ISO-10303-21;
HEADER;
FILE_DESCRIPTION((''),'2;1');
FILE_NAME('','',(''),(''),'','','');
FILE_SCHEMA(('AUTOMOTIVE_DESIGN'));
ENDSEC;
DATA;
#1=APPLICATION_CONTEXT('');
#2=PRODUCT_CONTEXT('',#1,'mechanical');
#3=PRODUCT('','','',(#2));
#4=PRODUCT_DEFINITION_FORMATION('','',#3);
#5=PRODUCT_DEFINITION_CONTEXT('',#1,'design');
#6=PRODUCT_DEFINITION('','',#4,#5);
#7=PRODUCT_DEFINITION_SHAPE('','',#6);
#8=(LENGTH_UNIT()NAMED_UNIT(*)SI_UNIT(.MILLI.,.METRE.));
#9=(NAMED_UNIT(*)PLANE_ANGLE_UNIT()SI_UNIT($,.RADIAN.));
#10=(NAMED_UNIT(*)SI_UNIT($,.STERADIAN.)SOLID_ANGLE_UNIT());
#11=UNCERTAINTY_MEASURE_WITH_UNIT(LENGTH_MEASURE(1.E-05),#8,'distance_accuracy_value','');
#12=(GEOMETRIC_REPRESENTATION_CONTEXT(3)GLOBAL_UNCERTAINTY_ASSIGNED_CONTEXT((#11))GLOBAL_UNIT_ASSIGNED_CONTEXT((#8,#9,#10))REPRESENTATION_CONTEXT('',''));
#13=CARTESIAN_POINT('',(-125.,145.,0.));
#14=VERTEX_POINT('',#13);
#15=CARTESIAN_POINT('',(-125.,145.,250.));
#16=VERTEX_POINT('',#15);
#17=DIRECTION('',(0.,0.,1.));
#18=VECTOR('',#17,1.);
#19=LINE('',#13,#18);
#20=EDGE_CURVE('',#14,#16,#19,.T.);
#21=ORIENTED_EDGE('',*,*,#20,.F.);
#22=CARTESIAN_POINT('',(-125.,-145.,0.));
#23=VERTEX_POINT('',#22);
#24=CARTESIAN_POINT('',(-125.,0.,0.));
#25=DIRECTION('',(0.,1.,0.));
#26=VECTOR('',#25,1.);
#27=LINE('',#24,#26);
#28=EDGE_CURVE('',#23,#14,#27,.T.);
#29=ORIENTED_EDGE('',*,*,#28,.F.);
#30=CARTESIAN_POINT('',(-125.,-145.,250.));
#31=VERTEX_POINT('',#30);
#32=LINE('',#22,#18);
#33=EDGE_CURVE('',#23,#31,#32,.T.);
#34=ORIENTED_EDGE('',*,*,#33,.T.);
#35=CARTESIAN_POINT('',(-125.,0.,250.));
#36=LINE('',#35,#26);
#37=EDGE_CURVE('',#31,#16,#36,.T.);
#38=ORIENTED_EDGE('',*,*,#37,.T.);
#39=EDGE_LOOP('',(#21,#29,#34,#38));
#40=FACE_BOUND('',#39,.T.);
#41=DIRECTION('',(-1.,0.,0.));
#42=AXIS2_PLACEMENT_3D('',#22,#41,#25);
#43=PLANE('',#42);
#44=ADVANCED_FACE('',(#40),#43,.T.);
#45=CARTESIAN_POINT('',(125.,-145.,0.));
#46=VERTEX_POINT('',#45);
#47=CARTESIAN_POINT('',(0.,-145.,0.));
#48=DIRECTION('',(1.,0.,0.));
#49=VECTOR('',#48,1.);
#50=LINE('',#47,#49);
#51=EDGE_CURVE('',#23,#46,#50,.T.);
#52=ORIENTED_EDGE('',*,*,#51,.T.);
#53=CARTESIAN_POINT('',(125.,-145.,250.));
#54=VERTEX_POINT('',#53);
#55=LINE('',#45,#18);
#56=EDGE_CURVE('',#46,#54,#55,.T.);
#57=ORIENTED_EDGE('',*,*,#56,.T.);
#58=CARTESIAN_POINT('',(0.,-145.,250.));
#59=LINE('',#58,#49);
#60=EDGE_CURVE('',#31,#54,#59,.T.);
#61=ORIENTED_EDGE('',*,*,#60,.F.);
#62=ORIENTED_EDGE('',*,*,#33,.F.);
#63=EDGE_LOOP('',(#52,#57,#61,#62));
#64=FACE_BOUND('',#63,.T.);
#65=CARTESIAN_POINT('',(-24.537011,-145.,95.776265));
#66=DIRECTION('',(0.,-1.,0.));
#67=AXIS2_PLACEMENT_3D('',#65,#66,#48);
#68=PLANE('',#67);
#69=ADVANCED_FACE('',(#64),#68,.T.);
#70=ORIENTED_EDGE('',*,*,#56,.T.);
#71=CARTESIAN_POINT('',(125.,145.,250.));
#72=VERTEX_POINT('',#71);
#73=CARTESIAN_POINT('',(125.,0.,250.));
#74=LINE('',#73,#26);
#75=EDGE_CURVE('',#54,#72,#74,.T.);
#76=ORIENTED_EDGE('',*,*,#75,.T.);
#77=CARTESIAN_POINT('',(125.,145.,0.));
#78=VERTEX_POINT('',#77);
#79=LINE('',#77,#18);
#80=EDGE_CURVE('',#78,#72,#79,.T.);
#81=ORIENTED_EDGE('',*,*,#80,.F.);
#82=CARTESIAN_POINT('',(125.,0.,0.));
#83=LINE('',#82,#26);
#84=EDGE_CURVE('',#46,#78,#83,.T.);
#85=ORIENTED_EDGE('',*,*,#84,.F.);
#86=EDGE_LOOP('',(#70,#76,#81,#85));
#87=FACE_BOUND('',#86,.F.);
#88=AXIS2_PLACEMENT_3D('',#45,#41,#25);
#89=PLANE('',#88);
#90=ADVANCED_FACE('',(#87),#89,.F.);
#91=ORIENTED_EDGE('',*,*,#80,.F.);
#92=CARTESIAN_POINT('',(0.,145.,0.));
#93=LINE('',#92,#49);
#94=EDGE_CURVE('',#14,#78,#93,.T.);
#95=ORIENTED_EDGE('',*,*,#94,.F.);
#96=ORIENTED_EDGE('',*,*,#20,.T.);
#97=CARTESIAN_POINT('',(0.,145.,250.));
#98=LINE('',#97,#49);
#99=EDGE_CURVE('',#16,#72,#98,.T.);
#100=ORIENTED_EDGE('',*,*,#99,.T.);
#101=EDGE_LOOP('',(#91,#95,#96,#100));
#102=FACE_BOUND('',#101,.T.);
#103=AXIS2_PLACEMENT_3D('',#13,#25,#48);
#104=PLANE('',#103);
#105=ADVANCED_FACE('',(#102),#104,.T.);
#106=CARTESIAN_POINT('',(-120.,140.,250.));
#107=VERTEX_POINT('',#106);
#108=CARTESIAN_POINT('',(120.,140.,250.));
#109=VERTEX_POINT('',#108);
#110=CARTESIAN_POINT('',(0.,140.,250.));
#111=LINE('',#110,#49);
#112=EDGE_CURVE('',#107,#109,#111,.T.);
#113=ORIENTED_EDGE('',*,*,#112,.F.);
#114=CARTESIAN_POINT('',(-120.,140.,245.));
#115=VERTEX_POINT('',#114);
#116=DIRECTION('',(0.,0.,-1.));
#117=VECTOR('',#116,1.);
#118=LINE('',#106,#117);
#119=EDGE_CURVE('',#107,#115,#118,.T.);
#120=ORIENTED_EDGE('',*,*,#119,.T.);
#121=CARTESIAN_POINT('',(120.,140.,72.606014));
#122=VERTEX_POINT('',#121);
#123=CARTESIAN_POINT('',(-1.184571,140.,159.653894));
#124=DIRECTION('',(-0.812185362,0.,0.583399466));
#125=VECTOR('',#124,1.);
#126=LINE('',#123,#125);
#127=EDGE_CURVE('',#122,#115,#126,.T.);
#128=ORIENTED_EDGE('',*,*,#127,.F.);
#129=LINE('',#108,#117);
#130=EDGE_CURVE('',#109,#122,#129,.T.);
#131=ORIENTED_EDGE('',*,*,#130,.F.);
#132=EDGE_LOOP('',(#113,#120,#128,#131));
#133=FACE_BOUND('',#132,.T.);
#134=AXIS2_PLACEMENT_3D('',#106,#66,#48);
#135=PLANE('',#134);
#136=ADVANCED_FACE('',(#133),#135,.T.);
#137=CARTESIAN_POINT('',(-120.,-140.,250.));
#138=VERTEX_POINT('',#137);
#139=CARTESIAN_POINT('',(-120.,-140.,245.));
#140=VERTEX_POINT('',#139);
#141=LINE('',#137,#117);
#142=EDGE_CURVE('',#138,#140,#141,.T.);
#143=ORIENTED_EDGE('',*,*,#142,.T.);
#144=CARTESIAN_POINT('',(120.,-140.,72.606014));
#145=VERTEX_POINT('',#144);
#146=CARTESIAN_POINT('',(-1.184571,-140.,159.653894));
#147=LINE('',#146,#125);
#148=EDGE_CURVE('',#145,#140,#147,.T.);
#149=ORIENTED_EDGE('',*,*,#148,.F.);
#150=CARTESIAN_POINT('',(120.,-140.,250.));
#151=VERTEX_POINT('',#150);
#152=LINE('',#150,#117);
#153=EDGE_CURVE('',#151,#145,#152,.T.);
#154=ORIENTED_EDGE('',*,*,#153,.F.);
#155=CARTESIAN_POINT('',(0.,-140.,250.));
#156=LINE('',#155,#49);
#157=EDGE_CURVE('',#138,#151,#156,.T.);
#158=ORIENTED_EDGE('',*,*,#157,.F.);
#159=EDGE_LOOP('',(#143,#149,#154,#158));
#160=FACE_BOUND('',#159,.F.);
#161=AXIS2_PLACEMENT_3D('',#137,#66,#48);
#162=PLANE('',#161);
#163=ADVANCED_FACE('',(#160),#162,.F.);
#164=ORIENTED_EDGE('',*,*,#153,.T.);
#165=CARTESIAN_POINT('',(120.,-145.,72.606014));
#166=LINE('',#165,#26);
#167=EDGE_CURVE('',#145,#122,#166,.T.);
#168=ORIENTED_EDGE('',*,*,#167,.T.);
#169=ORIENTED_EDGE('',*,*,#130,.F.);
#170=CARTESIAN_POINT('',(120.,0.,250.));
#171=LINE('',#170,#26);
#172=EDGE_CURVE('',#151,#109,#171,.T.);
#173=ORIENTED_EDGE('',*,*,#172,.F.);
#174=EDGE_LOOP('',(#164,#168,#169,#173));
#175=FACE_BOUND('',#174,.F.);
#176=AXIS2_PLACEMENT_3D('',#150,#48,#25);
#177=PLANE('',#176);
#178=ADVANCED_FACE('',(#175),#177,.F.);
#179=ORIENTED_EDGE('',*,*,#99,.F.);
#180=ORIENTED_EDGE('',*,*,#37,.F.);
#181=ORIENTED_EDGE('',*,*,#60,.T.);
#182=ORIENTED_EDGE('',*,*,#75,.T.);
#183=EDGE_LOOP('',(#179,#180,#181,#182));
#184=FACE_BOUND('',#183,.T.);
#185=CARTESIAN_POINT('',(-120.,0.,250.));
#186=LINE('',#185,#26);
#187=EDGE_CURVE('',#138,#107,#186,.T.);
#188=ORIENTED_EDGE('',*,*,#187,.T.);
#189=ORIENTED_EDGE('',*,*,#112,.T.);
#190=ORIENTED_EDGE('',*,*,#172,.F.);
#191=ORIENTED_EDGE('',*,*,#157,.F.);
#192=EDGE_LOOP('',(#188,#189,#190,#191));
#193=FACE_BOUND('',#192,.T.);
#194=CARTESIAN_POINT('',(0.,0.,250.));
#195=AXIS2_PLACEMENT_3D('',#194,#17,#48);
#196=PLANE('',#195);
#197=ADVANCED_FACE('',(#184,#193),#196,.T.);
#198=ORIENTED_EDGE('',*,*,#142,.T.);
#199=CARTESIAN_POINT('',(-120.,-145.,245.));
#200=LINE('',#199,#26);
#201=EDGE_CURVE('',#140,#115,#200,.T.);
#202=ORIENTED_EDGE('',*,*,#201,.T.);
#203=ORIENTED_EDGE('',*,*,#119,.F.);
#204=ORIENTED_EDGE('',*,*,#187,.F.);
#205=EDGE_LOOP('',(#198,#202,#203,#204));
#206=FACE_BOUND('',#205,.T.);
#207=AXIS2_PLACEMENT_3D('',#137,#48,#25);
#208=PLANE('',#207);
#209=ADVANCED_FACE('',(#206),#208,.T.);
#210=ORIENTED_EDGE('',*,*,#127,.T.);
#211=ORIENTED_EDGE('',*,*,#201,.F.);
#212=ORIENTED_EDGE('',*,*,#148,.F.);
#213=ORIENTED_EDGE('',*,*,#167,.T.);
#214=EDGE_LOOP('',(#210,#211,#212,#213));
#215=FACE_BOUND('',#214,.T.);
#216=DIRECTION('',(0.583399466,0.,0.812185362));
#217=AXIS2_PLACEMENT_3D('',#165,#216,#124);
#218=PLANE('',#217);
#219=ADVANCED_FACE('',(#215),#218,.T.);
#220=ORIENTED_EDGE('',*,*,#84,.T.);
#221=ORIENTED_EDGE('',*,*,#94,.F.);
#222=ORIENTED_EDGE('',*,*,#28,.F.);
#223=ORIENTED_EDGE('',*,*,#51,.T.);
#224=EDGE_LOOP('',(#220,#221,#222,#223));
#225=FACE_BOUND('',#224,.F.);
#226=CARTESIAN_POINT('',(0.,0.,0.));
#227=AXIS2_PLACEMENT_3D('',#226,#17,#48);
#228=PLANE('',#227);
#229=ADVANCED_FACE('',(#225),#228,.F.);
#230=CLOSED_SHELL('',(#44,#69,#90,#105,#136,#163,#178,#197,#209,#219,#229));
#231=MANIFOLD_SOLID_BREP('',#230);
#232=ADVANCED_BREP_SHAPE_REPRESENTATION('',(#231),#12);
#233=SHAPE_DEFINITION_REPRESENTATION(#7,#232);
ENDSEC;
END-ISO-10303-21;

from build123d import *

# Parameters (mm, degrees)
SKETCH_W     = 250
SKETCH_H     = 290
PAD_DEPTH    = 250
SKETCH002_W  = 240
SKETCH002_H  = 280
POCKET_DEPTH = 240
PAD001_DEPTH = 290


with BuildPart() as part:
    # Sketch → Pad (new body)
    with BuildSketch(Plane.XY):
        Rectangle(SKETCH_W, SKETCH_H)
    extrude(amount=PAD_DEPTH)

    # Sketch002 (on Face6 of Pad) → Pocket (cut)
    with BuildSketch(Plane.XY.offset(250)):
        Rectangle(SKETCH002_W, SKETCH002_H)
    extrude(amount=-POCKET_DEPTH, mode=Mode.SUBTRACT)

    # Sketch003 (on Face1 of Pocket) → Pad001 (join)
    with BuildSketch(Plane.XZ.offset(145)):
        Polygon((-120, 245), (-120, 5), (120, 5), (120, 72.606014), align=None)
    extrude(amount=-PAD001_DEPTH)


solid = part.part
